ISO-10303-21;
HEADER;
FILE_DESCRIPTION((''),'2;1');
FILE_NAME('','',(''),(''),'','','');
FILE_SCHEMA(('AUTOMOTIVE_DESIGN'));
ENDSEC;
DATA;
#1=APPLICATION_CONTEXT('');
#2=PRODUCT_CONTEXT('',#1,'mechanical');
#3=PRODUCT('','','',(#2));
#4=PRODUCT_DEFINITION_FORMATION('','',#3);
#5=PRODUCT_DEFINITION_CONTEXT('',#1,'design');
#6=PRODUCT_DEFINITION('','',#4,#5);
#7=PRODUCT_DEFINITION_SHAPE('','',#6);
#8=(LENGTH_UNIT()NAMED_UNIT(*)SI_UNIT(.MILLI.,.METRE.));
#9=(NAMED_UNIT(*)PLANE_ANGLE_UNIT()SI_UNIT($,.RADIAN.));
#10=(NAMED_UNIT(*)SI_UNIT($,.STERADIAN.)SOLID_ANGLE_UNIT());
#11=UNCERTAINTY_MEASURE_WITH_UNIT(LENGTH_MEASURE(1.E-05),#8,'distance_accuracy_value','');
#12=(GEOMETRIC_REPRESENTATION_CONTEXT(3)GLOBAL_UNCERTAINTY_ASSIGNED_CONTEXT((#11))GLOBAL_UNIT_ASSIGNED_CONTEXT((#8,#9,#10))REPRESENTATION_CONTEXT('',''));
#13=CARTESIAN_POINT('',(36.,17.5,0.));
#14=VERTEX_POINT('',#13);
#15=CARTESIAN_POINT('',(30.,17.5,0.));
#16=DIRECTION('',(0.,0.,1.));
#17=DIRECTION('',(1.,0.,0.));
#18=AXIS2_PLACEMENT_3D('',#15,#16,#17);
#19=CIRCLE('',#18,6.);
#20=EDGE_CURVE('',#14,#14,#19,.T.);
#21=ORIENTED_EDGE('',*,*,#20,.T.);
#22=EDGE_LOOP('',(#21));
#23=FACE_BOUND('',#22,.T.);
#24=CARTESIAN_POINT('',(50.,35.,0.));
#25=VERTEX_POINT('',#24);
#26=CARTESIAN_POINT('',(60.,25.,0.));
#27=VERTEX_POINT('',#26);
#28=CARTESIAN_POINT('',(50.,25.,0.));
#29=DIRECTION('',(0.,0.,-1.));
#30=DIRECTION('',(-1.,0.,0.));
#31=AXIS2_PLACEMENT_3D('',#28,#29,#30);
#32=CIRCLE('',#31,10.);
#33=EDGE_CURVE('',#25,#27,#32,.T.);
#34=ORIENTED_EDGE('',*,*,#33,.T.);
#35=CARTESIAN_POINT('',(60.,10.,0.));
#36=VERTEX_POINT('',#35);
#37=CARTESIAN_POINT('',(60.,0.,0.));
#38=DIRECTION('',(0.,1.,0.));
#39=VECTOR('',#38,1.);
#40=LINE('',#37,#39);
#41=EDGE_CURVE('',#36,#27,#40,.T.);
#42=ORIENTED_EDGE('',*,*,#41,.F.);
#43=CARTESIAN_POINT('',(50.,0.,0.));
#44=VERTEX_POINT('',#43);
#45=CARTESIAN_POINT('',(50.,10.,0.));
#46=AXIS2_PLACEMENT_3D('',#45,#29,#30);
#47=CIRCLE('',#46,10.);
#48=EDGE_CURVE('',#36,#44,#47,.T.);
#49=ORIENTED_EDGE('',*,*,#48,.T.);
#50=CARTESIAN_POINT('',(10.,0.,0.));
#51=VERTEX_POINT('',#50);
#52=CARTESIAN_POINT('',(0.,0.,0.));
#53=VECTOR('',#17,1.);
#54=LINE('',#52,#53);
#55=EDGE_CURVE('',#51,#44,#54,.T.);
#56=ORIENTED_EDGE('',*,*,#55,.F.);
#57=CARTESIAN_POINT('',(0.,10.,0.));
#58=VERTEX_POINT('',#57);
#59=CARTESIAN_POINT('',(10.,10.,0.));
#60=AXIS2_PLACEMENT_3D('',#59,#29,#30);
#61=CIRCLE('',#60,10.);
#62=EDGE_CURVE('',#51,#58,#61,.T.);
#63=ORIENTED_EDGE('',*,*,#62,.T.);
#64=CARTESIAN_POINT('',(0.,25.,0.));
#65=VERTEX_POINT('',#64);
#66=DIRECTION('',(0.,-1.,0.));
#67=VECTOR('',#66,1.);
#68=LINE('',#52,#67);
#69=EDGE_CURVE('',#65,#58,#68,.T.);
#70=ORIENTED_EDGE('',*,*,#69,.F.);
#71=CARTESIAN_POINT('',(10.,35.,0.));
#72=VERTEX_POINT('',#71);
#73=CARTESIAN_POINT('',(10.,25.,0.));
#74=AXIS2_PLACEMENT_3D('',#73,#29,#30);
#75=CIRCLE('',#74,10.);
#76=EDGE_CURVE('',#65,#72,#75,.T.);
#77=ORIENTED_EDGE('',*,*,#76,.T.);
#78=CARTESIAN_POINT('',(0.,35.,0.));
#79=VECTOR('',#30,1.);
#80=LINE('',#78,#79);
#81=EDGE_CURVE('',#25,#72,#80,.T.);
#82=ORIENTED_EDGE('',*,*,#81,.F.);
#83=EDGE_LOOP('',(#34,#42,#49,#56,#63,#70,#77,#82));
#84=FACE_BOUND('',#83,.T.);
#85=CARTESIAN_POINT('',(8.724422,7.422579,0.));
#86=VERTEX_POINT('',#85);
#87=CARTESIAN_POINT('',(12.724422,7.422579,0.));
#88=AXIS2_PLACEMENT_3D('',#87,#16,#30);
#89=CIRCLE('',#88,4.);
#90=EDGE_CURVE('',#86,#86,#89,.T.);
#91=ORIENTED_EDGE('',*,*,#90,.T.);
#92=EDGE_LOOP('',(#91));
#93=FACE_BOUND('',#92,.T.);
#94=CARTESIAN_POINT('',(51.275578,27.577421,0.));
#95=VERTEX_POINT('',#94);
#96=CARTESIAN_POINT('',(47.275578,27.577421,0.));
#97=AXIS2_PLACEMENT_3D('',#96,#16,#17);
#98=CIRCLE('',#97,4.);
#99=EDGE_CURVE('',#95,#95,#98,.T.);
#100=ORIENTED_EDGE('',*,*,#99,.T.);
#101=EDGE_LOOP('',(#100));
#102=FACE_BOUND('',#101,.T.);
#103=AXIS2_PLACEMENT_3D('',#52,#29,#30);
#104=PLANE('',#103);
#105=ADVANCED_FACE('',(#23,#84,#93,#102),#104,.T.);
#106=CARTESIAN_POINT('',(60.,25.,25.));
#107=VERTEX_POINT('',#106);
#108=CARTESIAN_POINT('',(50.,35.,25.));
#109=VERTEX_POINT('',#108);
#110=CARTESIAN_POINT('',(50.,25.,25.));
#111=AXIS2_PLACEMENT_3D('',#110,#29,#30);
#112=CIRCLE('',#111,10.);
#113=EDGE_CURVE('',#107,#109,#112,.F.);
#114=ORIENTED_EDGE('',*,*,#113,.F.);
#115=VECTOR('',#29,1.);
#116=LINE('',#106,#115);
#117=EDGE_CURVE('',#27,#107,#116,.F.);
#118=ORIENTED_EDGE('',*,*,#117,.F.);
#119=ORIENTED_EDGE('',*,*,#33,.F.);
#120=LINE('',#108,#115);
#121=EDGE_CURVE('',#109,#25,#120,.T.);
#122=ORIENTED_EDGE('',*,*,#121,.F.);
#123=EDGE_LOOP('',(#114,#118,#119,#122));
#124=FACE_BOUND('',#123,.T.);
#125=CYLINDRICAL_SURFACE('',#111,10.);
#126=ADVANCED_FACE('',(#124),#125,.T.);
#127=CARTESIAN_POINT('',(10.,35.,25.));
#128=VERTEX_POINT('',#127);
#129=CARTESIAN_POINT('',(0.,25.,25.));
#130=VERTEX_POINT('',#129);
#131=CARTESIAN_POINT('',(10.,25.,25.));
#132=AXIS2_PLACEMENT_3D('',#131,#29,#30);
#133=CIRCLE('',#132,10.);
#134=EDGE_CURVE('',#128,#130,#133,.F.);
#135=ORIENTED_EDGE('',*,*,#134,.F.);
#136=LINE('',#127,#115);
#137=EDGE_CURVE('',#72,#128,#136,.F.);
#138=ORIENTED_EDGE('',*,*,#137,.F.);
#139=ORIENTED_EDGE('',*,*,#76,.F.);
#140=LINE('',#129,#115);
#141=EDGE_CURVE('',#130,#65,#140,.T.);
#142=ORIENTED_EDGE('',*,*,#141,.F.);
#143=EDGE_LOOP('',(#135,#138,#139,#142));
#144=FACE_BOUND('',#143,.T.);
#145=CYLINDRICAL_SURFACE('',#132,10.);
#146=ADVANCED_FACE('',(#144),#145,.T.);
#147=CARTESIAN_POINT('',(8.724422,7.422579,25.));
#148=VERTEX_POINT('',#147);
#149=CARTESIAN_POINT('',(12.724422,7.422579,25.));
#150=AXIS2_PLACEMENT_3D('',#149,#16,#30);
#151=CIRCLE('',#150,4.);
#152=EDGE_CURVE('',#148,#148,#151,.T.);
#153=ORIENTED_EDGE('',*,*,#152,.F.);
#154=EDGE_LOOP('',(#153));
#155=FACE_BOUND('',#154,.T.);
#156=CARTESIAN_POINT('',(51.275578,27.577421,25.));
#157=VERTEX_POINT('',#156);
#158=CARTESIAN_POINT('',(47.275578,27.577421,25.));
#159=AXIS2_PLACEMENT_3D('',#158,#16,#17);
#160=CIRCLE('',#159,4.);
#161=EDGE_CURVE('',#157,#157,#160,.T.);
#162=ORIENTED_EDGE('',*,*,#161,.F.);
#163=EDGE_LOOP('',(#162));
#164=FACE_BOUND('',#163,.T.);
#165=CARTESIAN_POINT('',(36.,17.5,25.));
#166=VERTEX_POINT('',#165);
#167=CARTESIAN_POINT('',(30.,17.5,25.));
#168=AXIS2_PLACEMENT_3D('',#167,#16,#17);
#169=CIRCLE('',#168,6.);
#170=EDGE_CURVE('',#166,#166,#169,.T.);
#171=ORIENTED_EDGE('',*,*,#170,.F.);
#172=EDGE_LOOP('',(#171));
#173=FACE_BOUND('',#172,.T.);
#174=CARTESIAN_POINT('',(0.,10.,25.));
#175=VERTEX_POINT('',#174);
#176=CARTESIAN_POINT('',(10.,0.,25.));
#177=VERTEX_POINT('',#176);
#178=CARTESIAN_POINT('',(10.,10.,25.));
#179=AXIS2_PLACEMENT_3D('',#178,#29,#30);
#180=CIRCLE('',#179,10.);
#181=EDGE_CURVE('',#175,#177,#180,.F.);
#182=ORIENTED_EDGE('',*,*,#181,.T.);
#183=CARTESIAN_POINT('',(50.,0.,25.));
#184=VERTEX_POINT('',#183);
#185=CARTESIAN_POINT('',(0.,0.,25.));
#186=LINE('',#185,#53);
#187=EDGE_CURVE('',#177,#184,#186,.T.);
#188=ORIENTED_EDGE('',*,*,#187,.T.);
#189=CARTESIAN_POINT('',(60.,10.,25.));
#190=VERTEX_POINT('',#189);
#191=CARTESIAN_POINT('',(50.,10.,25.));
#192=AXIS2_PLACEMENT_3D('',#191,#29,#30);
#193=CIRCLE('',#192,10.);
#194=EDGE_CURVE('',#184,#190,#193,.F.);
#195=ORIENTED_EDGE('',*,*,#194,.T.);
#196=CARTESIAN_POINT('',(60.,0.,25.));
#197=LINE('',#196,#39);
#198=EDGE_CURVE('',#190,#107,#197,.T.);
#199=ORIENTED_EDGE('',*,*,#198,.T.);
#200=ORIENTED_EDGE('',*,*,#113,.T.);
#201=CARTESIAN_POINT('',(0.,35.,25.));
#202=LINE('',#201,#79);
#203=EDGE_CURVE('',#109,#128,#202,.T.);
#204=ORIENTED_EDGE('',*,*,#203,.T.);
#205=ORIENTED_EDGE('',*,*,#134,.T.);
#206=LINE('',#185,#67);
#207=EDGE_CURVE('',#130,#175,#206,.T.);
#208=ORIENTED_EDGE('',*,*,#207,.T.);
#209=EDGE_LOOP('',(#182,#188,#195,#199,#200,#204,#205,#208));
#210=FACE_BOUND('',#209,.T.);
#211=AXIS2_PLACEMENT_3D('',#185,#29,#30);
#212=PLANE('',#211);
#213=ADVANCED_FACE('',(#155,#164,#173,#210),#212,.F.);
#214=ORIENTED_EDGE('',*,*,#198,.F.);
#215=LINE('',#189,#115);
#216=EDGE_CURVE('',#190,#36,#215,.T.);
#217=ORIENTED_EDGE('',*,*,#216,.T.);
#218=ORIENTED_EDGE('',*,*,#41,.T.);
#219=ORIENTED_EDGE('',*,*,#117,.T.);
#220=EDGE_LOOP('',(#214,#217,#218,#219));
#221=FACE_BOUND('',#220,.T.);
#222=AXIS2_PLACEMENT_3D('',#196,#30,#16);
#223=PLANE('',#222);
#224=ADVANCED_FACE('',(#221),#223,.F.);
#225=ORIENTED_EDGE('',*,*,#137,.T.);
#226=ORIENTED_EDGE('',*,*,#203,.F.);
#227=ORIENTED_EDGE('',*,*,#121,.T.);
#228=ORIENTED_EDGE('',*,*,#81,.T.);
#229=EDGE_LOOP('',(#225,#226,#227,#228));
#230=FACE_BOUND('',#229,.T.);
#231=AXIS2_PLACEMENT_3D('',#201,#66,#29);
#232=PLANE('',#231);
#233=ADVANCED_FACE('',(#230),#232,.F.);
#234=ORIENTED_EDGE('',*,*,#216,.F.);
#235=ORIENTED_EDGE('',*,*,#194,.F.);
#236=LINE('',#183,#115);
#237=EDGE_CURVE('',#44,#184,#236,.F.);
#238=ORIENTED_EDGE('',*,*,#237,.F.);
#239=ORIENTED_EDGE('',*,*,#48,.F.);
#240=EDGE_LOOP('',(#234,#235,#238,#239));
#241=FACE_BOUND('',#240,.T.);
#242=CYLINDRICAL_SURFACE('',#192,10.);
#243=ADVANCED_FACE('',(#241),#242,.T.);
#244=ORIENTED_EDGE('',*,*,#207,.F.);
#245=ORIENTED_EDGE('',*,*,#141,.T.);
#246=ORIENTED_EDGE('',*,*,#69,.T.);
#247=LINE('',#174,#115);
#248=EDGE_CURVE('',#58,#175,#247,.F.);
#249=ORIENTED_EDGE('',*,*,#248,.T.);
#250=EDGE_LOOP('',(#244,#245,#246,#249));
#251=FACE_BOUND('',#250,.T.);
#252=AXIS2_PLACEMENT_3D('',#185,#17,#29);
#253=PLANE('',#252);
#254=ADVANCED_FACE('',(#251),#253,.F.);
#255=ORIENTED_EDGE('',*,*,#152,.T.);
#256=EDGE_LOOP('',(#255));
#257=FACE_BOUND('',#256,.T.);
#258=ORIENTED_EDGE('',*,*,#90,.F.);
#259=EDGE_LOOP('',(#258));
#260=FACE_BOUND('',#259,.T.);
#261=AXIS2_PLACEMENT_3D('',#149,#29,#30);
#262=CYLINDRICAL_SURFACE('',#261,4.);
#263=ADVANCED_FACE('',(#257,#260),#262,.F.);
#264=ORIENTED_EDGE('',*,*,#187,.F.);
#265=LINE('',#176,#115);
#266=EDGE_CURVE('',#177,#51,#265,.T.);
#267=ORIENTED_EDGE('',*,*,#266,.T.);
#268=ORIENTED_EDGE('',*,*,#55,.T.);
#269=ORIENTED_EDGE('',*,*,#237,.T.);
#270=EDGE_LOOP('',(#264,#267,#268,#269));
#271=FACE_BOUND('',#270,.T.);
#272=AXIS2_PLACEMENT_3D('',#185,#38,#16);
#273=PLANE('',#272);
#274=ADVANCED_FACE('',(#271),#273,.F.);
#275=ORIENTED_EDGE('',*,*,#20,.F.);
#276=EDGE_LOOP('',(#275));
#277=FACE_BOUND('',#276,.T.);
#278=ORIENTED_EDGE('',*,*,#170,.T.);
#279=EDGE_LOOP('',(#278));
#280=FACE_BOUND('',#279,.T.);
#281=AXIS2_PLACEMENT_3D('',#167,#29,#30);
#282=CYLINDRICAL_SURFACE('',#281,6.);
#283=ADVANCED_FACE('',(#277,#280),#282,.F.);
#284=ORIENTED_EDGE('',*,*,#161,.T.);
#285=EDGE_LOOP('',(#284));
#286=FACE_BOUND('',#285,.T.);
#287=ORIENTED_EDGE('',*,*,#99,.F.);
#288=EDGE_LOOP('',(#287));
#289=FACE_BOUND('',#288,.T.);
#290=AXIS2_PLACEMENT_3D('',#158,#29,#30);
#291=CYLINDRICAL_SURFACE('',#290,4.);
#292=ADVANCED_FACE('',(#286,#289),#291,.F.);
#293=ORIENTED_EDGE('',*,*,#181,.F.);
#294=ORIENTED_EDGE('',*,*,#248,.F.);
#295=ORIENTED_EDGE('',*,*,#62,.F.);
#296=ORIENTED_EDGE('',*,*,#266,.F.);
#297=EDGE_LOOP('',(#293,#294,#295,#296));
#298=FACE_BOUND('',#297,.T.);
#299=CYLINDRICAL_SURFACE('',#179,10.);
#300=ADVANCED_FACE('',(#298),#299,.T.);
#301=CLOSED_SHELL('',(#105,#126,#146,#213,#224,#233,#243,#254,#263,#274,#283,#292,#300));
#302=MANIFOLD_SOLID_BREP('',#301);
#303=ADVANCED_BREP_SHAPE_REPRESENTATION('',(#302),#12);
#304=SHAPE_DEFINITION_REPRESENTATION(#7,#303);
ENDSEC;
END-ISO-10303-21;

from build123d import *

# Parameters (mm, degrees)
ESQUISSE1_W        = 60
ESQUISSE1_H        = 35
ESQUISSE1_R        = 6
ESQUISSE1_R_2      = 4
BOSS_EXTRU_1_DEPTH = 25
CONG_1_R           = 10


with BuildPart() as part:
    # Esquisse1 → Boss.-Extru.1 (new body)
    with BuildSketch(Plane.XY):
        with Locations((30, 17.5)):
            Rectangle(ESQUISSE1_W, ESQUISSE1_H)
        with Locations((30, 17.5)):
            Circle(ESQUISSE1_R, mode=Mode.SUBTRACT)
        with Locations((47.275578018, 27.57742051)):
            Circle(ESQUISSE1_R_2, mode=Mode.SUBTRACT)
        with Locations(Location((12.724421982, 7.42257949, 0), (0, 0, 180))):
            Circle(ESQUISSE1_R_2, mode=Mode.SUBTRACT)
    extrude(amount=BOSS_EXTRU_1_DEPTH)

    # Congé1
    cong_1_edges = [part.edges().sort_by_distance(p)[0] for p in [
        (0, 35, 12.5),
        (60, 35, 12.5),
        (60, 0, 12.5),
        (0, 0, 12.5),
    ]]
    fillet(cong_1_edges, radius=CONG_1_R)


solid = part.part
